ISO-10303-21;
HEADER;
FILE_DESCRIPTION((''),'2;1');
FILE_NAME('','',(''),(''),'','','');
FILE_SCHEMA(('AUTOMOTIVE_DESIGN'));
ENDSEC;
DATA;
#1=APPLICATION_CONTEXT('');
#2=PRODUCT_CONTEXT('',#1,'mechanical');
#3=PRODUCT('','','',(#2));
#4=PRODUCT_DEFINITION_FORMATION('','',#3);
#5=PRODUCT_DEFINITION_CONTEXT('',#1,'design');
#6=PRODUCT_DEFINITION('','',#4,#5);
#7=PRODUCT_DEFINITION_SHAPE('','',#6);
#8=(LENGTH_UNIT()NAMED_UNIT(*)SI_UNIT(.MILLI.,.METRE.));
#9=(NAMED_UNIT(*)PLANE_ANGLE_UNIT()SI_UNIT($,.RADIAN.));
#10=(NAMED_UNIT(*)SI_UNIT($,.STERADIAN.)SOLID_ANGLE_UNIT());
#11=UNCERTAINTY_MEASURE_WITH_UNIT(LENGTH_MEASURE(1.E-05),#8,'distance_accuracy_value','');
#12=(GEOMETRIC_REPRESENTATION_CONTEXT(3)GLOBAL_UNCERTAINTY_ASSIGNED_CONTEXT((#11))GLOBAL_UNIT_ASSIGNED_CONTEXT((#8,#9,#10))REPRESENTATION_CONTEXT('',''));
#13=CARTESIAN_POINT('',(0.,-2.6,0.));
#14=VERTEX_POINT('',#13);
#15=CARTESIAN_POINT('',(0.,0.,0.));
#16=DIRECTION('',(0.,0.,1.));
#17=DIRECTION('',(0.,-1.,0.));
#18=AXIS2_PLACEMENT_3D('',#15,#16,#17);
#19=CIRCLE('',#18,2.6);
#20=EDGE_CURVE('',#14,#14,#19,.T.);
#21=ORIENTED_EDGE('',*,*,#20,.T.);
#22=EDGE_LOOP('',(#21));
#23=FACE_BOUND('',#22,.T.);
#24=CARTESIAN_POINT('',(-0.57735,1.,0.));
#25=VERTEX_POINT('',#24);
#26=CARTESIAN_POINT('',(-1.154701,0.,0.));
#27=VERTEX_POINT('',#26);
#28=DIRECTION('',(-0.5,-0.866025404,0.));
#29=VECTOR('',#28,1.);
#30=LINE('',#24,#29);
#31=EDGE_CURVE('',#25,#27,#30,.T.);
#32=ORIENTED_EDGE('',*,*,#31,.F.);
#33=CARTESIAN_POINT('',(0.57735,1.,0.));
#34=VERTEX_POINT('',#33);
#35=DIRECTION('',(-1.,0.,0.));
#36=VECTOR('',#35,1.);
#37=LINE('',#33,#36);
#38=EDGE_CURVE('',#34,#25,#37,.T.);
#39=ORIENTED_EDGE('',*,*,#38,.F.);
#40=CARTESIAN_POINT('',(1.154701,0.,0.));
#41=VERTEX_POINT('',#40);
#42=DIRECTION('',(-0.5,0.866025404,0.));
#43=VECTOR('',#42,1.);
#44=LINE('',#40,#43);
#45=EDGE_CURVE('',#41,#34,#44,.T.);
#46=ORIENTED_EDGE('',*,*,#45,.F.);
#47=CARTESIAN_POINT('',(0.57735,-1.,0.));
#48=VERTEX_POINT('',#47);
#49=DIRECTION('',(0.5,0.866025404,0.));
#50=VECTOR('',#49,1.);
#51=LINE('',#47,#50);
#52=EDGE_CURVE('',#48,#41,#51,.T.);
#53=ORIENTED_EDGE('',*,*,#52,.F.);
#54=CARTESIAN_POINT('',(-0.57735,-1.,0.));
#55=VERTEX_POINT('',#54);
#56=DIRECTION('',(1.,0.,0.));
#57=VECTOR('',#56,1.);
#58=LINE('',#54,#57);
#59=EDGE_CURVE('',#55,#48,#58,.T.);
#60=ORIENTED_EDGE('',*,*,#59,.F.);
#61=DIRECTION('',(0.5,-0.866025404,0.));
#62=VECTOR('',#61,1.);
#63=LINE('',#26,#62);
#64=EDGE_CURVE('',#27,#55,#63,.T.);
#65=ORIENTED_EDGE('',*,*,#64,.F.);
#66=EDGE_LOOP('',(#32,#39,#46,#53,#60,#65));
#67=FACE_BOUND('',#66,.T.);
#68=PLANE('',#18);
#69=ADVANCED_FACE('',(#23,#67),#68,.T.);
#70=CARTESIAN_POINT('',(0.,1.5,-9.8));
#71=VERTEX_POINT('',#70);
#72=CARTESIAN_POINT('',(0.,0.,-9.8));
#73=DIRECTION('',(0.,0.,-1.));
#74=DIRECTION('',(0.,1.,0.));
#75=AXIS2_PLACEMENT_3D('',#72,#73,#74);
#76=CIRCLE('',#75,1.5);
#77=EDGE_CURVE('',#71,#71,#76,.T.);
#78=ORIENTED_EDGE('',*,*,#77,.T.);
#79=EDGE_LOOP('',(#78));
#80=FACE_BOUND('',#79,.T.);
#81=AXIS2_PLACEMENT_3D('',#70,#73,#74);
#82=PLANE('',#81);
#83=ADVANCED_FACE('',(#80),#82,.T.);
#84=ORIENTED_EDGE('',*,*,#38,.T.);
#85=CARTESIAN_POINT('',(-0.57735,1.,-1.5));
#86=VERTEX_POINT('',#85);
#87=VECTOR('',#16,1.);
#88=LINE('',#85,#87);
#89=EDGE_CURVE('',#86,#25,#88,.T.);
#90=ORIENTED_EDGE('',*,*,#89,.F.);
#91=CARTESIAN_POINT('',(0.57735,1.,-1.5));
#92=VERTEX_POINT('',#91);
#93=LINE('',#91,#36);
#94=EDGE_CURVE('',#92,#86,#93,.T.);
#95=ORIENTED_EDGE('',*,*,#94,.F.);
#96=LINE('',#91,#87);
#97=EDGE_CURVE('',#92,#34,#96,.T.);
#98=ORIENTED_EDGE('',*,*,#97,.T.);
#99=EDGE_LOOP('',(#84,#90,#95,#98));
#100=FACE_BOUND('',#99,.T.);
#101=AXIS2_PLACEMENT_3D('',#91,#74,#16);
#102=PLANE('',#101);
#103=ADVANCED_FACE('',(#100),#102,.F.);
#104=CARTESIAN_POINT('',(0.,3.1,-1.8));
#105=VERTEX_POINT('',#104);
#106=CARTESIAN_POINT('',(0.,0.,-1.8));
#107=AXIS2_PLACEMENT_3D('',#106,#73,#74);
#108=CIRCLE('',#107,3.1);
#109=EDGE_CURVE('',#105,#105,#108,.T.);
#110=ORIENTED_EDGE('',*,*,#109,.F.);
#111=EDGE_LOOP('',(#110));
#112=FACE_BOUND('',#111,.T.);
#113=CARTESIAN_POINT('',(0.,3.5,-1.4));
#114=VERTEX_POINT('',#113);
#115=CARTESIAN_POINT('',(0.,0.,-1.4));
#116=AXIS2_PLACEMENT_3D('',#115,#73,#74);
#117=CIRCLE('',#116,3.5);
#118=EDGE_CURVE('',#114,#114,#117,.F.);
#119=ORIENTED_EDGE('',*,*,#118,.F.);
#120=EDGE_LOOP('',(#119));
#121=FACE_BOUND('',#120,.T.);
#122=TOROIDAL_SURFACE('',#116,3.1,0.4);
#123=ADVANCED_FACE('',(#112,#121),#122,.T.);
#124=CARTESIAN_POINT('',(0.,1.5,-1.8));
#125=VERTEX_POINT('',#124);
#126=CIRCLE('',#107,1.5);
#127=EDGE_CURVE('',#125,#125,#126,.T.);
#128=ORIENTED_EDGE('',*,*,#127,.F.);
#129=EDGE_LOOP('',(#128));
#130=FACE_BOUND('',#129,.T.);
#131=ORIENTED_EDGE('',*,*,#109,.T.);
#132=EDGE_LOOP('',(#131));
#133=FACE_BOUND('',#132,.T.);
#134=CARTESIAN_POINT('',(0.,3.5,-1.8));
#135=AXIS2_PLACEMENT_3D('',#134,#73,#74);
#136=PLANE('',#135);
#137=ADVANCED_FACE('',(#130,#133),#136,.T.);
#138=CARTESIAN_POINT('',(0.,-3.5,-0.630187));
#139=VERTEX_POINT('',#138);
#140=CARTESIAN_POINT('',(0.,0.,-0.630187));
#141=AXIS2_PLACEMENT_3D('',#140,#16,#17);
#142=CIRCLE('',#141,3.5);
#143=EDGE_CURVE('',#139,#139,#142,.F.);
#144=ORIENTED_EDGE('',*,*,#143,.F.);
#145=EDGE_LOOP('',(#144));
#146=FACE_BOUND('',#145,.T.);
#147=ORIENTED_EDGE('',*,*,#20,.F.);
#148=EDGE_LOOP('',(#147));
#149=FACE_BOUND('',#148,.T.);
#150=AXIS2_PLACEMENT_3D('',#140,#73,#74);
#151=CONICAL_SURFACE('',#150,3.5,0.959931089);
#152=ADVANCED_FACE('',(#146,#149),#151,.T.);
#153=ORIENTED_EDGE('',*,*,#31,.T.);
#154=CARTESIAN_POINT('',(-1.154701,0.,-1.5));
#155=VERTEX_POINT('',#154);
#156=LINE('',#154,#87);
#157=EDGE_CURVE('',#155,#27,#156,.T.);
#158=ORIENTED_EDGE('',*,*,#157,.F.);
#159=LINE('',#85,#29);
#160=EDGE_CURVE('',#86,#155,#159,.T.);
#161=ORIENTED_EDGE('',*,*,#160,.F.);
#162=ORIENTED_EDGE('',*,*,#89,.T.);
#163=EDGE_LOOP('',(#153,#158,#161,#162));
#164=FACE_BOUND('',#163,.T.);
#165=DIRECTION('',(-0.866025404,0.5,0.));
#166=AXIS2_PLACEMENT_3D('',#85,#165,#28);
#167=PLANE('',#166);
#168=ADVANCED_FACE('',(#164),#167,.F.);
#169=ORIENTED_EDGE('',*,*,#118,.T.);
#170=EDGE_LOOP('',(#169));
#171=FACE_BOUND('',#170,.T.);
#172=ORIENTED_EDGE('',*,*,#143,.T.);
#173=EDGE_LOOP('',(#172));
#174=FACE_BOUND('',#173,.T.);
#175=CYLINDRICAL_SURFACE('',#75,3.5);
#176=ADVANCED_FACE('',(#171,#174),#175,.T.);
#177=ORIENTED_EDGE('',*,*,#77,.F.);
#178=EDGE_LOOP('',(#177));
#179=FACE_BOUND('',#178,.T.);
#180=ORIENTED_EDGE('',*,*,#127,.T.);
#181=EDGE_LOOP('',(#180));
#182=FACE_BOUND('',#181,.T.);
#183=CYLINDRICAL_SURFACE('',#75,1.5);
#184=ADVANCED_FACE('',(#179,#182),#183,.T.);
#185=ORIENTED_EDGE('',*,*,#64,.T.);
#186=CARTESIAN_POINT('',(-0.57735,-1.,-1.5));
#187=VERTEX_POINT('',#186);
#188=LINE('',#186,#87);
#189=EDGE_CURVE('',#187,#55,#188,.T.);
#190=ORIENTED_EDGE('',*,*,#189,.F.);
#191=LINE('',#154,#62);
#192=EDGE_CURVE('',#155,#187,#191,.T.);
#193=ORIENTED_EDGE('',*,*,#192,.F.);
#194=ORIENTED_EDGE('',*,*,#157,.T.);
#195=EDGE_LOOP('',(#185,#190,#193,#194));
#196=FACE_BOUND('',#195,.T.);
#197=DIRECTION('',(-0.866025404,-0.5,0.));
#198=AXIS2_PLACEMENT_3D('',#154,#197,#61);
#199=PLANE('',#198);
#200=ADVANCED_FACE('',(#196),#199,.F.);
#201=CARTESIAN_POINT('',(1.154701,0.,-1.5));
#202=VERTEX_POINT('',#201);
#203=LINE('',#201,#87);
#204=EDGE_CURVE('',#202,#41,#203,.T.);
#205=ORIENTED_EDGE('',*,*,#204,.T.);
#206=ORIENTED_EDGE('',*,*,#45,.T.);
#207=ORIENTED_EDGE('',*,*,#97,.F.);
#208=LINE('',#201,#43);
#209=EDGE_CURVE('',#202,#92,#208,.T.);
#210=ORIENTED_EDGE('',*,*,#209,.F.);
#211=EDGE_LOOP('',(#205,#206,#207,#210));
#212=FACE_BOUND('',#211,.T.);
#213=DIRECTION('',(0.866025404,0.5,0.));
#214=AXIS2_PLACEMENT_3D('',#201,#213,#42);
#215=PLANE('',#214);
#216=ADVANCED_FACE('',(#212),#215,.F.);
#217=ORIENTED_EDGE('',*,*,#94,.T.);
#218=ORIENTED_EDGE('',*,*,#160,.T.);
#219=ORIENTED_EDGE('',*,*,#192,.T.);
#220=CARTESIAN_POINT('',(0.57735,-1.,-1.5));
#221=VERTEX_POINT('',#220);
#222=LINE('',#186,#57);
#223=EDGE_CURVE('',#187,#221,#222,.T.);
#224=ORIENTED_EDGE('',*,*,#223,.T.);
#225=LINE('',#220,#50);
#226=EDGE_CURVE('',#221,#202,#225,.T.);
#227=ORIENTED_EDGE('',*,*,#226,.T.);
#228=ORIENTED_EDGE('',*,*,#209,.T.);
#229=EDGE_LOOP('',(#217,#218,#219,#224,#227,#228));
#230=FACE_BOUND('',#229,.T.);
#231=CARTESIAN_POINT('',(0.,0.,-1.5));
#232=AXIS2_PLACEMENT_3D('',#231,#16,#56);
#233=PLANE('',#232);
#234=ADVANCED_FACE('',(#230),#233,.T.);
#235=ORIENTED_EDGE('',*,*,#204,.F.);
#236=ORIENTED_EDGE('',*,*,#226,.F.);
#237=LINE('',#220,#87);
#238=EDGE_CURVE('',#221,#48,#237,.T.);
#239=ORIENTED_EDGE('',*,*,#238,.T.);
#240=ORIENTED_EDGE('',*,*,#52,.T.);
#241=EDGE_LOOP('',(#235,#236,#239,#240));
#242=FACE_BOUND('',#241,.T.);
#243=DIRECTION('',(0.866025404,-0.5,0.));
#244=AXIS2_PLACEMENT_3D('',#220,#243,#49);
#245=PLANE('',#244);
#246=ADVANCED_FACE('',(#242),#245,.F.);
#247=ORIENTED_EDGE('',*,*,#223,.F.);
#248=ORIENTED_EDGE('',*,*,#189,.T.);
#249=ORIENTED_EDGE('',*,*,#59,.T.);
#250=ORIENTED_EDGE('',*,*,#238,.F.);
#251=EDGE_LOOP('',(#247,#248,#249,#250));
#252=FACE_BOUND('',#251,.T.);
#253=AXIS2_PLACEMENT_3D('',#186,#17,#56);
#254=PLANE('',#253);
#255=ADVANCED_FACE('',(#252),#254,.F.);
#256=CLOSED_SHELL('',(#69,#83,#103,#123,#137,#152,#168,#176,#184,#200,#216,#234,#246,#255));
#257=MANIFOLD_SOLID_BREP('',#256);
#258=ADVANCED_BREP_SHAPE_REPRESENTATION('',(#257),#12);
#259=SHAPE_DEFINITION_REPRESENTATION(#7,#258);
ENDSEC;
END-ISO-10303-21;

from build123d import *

# Parameters (mm, degrees)
CHAMFER_1_SIZE      = 0.9
CHAMFER_1_SIZE2     = 0.630186784
CUT_EXTRUDE_1_DEPTH = 1.5
FILLET_1_R          = 0.4


with BuildPart() as part:
    # 草图2 → 旋转1 (revolve)
    with BuildSketch(Plane(origin=(0, 0, 0), x_dir=(0, 0, -1), z_dir=(1, 0, 0))):
        Polygon((0, 0), (0, 3.5), (1.8, 3.5), (1.8, 1.5), (9.8, 1.5), (9.8, 0), align=None)
    revolve(axis=Axis((0, 0, -9.8), (0, 0, 1)))

    # 倒角1
    chamfer_1_edges = [part.edges().sort_by_distance(p)[0] for p in [
        (0, -3.5, 0),
    ]]
    chamfer_1_side = [part.faces().sort_by_distance(p)[0] for p in [
        (0, 0, 0),
    ]]
    chamfer(chamfer_1_edges, length=CHAMFER_1_SIZE, length2=CHAMFER_1_SIZE2, reference=chamfer_1_side[0])

    # 草图3 → 切除-拉伸1 (cut)
    with BuildSketch(Plane.XY):
        Polygon((0.577350269, 1), (-0.577350269, 1), (-1.154700538, 0), (-0.577350269, -1), (0.577350269, -1), (1.154700538, 0), align=None)
    extrude(amount=-CUT_EXTRUDE_1_DEPTH, mode=Mode.SUBTRACT)

    # 圆角1
    fillet_1_edges = [part.edges().sort_by_distance(p)[0] for p in [
        (0, -3.5, -1.8),
    ]]
    fillet(fillet_1_edges, radius=FILLET_1_R)


solid = part.part
